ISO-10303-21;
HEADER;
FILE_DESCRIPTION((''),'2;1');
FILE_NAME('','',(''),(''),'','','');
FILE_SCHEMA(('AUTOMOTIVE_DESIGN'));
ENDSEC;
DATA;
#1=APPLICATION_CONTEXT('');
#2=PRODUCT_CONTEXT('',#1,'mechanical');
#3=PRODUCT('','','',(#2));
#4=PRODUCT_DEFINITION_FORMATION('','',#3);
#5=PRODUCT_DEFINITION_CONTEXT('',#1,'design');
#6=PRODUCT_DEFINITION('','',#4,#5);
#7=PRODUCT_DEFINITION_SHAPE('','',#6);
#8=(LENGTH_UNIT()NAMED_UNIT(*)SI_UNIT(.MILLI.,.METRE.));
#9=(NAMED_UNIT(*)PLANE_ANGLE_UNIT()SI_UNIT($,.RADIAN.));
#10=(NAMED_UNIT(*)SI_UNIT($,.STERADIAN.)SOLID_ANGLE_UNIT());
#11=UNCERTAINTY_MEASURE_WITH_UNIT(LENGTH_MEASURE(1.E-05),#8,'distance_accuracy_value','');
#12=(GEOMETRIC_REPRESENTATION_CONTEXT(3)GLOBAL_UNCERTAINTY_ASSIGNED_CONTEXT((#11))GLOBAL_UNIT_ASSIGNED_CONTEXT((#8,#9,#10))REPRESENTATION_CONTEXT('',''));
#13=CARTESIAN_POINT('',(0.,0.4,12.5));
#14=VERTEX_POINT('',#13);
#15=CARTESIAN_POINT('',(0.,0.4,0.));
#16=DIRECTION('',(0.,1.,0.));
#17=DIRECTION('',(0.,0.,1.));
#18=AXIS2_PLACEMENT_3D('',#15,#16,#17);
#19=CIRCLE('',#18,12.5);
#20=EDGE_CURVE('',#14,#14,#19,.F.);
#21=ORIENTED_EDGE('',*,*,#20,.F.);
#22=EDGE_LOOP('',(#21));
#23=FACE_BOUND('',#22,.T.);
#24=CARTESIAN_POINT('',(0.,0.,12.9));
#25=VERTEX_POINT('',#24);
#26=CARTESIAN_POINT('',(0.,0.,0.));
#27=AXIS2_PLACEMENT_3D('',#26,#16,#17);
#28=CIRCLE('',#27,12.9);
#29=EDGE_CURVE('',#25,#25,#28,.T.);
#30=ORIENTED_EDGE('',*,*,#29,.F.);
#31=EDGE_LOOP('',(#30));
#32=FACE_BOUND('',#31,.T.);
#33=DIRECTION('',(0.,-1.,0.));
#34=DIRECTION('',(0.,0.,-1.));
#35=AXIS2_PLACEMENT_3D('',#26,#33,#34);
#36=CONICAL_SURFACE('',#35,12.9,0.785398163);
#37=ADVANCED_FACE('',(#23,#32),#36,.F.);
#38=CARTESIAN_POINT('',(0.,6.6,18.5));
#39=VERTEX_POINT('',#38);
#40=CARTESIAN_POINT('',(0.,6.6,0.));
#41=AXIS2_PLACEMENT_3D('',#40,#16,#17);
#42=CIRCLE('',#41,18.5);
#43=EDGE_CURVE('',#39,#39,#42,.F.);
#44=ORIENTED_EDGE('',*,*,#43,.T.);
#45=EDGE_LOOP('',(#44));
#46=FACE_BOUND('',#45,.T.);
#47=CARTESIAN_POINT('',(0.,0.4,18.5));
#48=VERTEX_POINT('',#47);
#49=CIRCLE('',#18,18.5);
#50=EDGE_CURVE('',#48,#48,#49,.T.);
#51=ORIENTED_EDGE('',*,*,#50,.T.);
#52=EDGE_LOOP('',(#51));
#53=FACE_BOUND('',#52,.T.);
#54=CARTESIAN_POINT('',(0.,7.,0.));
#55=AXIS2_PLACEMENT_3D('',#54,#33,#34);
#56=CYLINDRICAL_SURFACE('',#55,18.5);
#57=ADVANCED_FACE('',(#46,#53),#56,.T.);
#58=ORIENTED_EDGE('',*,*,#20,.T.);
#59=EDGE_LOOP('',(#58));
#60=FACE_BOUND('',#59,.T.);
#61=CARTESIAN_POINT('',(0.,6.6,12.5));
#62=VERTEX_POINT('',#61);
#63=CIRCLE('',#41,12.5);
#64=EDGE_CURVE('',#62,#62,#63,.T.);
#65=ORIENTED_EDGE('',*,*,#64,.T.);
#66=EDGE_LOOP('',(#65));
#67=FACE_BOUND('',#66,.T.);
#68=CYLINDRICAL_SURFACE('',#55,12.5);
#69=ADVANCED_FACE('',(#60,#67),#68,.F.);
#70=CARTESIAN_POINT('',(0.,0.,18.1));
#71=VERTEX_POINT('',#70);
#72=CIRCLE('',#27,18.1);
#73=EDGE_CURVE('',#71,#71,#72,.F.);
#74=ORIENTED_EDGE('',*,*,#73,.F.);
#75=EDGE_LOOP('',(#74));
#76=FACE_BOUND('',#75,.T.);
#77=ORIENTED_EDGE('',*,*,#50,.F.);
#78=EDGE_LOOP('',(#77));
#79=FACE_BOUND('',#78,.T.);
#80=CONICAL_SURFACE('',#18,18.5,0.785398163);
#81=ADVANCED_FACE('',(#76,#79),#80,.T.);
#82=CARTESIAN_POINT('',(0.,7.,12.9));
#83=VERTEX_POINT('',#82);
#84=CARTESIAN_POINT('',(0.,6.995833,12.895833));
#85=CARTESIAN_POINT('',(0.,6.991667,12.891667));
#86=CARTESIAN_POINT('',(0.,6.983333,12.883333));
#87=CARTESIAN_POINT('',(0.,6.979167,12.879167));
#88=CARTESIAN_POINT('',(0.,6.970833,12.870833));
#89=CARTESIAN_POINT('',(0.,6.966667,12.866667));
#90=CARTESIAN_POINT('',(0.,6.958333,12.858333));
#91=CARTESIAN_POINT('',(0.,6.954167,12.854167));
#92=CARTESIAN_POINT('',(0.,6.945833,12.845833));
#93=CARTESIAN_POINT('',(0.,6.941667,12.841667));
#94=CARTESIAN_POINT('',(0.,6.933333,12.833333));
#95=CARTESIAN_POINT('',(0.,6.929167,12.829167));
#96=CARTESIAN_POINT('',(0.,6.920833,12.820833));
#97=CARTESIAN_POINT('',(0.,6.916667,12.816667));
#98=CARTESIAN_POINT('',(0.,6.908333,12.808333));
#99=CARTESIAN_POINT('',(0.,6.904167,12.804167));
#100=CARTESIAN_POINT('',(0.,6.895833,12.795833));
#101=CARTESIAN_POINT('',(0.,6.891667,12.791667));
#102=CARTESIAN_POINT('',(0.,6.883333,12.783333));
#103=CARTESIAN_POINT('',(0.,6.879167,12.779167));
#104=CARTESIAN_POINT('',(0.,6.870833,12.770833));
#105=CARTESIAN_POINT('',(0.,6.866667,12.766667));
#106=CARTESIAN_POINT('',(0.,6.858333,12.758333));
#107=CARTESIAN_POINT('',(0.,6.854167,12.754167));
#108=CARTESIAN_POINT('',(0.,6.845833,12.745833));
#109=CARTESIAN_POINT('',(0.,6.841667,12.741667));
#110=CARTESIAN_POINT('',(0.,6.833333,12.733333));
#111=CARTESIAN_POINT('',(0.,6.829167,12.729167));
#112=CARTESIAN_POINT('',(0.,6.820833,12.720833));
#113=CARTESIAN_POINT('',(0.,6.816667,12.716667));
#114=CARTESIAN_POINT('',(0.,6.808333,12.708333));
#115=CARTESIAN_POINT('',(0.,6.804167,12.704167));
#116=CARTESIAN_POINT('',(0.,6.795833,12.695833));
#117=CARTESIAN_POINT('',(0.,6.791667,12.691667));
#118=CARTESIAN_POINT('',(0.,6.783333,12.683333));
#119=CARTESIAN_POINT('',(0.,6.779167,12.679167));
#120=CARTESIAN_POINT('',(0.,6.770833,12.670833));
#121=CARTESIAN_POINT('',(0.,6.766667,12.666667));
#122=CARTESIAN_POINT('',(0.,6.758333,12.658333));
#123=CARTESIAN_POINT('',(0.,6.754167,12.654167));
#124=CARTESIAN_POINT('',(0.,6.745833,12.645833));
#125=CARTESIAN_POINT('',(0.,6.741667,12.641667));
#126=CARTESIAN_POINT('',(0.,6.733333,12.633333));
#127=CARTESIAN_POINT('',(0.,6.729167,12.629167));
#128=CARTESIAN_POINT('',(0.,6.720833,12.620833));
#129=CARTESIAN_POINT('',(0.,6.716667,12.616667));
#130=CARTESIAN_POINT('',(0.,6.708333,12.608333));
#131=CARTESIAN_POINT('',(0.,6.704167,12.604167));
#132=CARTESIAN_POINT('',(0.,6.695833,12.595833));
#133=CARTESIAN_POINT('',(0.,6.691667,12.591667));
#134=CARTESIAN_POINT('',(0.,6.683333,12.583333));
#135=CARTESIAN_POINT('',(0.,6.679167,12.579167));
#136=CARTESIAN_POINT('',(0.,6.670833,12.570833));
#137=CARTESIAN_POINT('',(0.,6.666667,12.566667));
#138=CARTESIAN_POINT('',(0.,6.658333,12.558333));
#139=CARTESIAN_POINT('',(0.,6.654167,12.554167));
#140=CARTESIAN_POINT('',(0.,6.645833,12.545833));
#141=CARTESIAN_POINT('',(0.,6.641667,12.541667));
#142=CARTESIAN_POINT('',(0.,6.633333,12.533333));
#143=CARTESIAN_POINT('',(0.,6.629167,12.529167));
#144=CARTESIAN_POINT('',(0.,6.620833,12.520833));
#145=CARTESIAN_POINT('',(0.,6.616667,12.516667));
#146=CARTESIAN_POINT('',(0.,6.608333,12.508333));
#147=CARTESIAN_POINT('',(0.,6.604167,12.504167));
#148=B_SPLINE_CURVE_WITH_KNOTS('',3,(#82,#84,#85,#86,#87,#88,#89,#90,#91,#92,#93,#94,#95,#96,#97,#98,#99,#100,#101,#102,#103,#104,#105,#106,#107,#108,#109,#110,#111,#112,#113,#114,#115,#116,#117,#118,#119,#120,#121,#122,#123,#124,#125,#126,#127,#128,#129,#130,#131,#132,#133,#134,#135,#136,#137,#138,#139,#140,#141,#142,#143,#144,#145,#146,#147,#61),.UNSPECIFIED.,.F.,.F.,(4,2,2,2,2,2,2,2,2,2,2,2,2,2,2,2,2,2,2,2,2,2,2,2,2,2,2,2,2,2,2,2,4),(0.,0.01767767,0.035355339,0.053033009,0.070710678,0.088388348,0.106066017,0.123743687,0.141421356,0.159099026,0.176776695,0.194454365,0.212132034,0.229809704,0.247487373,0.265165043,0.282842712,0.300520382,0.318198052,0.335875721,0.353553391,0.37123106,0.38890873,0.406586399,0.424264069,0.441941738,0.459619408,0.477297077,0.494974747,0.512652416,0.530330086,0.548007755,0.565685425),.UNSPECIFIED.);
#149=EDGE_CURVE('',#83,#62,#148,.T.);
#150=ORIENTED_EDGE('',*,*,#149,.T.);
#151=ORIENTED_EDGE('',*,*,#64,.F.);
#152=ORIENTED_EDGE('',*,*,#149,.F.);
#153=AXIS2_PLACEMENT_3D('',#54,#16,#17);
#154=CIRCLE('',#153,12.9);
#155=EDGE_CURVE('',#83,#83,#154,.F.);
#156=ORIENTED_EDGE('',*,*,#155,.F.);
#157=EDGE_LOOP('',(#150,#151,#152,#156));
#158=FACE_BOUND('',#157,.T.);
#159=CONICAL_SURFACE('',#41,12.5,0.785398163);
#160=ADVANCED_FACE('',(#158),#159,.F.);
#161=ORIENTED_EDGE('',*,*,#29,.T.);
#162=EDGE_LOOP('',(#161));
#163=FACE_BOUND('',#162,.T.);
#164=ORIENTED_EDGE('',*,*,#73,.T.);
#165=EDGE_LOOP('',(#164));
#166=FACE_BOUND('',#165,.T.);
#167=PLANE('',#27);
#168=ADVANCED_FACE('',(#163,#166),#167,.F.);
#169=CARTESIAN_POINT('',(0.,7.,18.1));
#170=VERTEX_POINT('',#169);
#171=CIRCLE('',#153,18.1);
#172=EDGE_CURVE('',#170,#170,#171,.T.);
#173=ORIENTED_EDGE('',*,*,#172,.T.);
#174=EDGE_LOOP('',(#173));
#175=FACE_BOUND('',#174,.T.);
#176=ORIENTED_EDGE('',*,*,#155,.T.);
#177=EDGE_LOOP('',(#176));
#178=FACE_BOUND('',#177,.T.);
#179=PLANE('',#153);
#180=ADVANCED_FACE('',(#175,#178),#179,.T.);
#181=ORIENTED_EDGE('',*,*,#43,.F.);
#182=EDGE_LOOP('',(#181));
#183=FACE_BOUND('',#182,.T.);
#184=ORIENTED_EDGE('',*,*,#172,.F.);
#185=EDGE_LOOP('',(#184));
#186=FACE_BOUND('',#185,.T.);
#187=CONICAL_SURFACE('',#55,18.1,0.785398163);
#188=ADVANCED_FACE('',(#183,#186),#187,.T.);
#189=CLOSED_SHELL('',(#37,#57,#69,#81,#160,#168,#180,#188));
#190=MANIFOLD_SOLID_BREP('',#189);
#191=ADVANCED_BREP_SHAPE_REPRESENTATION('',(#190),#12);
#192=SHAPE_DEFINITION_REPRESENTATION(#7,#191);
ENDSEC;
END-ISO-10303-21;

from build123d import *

# Parameters (mm, degrees)
SKETCH1_R           = 18.5
SKETCH1_R_2         = 12.5
BOSS_EXTRUDE1_DEPTH = 7
CHAMFER1_SIZE       = 0.4


with BuildPart() as part:
    # Sketch1 → Boss-Extrude1 (new body)
    with BuildSketch(Plane(origin=(0, 0, 0), x_dir=(1, 0, 0), z_dir=(0, 1, 0))):
        with Locations(Location((0, 0, 0), (0, 0, 270))):
            Circle(SKETCH1_R)
        with Locations(Location((0, 0, 0), (0, 0, 270))):
            Circle(SKETCH1_R_2, mode=Mode.SUBTRACT)
    extrude(amount=BOSS_EXTRUDE1_DEPTH)

    # Chamfer1
    chamfer1_edges = [part.edges().sort_by_distance(p)[0] for p in [
        (0, 0, -18.5),
        (0, 7, -18.5),
        (0, 0, -12.5),
        (0, 7, -12.5),
    ]]
    chamfer(chamfer1_edges, length=CHAMFER1_SIZE)


solid = part.part
